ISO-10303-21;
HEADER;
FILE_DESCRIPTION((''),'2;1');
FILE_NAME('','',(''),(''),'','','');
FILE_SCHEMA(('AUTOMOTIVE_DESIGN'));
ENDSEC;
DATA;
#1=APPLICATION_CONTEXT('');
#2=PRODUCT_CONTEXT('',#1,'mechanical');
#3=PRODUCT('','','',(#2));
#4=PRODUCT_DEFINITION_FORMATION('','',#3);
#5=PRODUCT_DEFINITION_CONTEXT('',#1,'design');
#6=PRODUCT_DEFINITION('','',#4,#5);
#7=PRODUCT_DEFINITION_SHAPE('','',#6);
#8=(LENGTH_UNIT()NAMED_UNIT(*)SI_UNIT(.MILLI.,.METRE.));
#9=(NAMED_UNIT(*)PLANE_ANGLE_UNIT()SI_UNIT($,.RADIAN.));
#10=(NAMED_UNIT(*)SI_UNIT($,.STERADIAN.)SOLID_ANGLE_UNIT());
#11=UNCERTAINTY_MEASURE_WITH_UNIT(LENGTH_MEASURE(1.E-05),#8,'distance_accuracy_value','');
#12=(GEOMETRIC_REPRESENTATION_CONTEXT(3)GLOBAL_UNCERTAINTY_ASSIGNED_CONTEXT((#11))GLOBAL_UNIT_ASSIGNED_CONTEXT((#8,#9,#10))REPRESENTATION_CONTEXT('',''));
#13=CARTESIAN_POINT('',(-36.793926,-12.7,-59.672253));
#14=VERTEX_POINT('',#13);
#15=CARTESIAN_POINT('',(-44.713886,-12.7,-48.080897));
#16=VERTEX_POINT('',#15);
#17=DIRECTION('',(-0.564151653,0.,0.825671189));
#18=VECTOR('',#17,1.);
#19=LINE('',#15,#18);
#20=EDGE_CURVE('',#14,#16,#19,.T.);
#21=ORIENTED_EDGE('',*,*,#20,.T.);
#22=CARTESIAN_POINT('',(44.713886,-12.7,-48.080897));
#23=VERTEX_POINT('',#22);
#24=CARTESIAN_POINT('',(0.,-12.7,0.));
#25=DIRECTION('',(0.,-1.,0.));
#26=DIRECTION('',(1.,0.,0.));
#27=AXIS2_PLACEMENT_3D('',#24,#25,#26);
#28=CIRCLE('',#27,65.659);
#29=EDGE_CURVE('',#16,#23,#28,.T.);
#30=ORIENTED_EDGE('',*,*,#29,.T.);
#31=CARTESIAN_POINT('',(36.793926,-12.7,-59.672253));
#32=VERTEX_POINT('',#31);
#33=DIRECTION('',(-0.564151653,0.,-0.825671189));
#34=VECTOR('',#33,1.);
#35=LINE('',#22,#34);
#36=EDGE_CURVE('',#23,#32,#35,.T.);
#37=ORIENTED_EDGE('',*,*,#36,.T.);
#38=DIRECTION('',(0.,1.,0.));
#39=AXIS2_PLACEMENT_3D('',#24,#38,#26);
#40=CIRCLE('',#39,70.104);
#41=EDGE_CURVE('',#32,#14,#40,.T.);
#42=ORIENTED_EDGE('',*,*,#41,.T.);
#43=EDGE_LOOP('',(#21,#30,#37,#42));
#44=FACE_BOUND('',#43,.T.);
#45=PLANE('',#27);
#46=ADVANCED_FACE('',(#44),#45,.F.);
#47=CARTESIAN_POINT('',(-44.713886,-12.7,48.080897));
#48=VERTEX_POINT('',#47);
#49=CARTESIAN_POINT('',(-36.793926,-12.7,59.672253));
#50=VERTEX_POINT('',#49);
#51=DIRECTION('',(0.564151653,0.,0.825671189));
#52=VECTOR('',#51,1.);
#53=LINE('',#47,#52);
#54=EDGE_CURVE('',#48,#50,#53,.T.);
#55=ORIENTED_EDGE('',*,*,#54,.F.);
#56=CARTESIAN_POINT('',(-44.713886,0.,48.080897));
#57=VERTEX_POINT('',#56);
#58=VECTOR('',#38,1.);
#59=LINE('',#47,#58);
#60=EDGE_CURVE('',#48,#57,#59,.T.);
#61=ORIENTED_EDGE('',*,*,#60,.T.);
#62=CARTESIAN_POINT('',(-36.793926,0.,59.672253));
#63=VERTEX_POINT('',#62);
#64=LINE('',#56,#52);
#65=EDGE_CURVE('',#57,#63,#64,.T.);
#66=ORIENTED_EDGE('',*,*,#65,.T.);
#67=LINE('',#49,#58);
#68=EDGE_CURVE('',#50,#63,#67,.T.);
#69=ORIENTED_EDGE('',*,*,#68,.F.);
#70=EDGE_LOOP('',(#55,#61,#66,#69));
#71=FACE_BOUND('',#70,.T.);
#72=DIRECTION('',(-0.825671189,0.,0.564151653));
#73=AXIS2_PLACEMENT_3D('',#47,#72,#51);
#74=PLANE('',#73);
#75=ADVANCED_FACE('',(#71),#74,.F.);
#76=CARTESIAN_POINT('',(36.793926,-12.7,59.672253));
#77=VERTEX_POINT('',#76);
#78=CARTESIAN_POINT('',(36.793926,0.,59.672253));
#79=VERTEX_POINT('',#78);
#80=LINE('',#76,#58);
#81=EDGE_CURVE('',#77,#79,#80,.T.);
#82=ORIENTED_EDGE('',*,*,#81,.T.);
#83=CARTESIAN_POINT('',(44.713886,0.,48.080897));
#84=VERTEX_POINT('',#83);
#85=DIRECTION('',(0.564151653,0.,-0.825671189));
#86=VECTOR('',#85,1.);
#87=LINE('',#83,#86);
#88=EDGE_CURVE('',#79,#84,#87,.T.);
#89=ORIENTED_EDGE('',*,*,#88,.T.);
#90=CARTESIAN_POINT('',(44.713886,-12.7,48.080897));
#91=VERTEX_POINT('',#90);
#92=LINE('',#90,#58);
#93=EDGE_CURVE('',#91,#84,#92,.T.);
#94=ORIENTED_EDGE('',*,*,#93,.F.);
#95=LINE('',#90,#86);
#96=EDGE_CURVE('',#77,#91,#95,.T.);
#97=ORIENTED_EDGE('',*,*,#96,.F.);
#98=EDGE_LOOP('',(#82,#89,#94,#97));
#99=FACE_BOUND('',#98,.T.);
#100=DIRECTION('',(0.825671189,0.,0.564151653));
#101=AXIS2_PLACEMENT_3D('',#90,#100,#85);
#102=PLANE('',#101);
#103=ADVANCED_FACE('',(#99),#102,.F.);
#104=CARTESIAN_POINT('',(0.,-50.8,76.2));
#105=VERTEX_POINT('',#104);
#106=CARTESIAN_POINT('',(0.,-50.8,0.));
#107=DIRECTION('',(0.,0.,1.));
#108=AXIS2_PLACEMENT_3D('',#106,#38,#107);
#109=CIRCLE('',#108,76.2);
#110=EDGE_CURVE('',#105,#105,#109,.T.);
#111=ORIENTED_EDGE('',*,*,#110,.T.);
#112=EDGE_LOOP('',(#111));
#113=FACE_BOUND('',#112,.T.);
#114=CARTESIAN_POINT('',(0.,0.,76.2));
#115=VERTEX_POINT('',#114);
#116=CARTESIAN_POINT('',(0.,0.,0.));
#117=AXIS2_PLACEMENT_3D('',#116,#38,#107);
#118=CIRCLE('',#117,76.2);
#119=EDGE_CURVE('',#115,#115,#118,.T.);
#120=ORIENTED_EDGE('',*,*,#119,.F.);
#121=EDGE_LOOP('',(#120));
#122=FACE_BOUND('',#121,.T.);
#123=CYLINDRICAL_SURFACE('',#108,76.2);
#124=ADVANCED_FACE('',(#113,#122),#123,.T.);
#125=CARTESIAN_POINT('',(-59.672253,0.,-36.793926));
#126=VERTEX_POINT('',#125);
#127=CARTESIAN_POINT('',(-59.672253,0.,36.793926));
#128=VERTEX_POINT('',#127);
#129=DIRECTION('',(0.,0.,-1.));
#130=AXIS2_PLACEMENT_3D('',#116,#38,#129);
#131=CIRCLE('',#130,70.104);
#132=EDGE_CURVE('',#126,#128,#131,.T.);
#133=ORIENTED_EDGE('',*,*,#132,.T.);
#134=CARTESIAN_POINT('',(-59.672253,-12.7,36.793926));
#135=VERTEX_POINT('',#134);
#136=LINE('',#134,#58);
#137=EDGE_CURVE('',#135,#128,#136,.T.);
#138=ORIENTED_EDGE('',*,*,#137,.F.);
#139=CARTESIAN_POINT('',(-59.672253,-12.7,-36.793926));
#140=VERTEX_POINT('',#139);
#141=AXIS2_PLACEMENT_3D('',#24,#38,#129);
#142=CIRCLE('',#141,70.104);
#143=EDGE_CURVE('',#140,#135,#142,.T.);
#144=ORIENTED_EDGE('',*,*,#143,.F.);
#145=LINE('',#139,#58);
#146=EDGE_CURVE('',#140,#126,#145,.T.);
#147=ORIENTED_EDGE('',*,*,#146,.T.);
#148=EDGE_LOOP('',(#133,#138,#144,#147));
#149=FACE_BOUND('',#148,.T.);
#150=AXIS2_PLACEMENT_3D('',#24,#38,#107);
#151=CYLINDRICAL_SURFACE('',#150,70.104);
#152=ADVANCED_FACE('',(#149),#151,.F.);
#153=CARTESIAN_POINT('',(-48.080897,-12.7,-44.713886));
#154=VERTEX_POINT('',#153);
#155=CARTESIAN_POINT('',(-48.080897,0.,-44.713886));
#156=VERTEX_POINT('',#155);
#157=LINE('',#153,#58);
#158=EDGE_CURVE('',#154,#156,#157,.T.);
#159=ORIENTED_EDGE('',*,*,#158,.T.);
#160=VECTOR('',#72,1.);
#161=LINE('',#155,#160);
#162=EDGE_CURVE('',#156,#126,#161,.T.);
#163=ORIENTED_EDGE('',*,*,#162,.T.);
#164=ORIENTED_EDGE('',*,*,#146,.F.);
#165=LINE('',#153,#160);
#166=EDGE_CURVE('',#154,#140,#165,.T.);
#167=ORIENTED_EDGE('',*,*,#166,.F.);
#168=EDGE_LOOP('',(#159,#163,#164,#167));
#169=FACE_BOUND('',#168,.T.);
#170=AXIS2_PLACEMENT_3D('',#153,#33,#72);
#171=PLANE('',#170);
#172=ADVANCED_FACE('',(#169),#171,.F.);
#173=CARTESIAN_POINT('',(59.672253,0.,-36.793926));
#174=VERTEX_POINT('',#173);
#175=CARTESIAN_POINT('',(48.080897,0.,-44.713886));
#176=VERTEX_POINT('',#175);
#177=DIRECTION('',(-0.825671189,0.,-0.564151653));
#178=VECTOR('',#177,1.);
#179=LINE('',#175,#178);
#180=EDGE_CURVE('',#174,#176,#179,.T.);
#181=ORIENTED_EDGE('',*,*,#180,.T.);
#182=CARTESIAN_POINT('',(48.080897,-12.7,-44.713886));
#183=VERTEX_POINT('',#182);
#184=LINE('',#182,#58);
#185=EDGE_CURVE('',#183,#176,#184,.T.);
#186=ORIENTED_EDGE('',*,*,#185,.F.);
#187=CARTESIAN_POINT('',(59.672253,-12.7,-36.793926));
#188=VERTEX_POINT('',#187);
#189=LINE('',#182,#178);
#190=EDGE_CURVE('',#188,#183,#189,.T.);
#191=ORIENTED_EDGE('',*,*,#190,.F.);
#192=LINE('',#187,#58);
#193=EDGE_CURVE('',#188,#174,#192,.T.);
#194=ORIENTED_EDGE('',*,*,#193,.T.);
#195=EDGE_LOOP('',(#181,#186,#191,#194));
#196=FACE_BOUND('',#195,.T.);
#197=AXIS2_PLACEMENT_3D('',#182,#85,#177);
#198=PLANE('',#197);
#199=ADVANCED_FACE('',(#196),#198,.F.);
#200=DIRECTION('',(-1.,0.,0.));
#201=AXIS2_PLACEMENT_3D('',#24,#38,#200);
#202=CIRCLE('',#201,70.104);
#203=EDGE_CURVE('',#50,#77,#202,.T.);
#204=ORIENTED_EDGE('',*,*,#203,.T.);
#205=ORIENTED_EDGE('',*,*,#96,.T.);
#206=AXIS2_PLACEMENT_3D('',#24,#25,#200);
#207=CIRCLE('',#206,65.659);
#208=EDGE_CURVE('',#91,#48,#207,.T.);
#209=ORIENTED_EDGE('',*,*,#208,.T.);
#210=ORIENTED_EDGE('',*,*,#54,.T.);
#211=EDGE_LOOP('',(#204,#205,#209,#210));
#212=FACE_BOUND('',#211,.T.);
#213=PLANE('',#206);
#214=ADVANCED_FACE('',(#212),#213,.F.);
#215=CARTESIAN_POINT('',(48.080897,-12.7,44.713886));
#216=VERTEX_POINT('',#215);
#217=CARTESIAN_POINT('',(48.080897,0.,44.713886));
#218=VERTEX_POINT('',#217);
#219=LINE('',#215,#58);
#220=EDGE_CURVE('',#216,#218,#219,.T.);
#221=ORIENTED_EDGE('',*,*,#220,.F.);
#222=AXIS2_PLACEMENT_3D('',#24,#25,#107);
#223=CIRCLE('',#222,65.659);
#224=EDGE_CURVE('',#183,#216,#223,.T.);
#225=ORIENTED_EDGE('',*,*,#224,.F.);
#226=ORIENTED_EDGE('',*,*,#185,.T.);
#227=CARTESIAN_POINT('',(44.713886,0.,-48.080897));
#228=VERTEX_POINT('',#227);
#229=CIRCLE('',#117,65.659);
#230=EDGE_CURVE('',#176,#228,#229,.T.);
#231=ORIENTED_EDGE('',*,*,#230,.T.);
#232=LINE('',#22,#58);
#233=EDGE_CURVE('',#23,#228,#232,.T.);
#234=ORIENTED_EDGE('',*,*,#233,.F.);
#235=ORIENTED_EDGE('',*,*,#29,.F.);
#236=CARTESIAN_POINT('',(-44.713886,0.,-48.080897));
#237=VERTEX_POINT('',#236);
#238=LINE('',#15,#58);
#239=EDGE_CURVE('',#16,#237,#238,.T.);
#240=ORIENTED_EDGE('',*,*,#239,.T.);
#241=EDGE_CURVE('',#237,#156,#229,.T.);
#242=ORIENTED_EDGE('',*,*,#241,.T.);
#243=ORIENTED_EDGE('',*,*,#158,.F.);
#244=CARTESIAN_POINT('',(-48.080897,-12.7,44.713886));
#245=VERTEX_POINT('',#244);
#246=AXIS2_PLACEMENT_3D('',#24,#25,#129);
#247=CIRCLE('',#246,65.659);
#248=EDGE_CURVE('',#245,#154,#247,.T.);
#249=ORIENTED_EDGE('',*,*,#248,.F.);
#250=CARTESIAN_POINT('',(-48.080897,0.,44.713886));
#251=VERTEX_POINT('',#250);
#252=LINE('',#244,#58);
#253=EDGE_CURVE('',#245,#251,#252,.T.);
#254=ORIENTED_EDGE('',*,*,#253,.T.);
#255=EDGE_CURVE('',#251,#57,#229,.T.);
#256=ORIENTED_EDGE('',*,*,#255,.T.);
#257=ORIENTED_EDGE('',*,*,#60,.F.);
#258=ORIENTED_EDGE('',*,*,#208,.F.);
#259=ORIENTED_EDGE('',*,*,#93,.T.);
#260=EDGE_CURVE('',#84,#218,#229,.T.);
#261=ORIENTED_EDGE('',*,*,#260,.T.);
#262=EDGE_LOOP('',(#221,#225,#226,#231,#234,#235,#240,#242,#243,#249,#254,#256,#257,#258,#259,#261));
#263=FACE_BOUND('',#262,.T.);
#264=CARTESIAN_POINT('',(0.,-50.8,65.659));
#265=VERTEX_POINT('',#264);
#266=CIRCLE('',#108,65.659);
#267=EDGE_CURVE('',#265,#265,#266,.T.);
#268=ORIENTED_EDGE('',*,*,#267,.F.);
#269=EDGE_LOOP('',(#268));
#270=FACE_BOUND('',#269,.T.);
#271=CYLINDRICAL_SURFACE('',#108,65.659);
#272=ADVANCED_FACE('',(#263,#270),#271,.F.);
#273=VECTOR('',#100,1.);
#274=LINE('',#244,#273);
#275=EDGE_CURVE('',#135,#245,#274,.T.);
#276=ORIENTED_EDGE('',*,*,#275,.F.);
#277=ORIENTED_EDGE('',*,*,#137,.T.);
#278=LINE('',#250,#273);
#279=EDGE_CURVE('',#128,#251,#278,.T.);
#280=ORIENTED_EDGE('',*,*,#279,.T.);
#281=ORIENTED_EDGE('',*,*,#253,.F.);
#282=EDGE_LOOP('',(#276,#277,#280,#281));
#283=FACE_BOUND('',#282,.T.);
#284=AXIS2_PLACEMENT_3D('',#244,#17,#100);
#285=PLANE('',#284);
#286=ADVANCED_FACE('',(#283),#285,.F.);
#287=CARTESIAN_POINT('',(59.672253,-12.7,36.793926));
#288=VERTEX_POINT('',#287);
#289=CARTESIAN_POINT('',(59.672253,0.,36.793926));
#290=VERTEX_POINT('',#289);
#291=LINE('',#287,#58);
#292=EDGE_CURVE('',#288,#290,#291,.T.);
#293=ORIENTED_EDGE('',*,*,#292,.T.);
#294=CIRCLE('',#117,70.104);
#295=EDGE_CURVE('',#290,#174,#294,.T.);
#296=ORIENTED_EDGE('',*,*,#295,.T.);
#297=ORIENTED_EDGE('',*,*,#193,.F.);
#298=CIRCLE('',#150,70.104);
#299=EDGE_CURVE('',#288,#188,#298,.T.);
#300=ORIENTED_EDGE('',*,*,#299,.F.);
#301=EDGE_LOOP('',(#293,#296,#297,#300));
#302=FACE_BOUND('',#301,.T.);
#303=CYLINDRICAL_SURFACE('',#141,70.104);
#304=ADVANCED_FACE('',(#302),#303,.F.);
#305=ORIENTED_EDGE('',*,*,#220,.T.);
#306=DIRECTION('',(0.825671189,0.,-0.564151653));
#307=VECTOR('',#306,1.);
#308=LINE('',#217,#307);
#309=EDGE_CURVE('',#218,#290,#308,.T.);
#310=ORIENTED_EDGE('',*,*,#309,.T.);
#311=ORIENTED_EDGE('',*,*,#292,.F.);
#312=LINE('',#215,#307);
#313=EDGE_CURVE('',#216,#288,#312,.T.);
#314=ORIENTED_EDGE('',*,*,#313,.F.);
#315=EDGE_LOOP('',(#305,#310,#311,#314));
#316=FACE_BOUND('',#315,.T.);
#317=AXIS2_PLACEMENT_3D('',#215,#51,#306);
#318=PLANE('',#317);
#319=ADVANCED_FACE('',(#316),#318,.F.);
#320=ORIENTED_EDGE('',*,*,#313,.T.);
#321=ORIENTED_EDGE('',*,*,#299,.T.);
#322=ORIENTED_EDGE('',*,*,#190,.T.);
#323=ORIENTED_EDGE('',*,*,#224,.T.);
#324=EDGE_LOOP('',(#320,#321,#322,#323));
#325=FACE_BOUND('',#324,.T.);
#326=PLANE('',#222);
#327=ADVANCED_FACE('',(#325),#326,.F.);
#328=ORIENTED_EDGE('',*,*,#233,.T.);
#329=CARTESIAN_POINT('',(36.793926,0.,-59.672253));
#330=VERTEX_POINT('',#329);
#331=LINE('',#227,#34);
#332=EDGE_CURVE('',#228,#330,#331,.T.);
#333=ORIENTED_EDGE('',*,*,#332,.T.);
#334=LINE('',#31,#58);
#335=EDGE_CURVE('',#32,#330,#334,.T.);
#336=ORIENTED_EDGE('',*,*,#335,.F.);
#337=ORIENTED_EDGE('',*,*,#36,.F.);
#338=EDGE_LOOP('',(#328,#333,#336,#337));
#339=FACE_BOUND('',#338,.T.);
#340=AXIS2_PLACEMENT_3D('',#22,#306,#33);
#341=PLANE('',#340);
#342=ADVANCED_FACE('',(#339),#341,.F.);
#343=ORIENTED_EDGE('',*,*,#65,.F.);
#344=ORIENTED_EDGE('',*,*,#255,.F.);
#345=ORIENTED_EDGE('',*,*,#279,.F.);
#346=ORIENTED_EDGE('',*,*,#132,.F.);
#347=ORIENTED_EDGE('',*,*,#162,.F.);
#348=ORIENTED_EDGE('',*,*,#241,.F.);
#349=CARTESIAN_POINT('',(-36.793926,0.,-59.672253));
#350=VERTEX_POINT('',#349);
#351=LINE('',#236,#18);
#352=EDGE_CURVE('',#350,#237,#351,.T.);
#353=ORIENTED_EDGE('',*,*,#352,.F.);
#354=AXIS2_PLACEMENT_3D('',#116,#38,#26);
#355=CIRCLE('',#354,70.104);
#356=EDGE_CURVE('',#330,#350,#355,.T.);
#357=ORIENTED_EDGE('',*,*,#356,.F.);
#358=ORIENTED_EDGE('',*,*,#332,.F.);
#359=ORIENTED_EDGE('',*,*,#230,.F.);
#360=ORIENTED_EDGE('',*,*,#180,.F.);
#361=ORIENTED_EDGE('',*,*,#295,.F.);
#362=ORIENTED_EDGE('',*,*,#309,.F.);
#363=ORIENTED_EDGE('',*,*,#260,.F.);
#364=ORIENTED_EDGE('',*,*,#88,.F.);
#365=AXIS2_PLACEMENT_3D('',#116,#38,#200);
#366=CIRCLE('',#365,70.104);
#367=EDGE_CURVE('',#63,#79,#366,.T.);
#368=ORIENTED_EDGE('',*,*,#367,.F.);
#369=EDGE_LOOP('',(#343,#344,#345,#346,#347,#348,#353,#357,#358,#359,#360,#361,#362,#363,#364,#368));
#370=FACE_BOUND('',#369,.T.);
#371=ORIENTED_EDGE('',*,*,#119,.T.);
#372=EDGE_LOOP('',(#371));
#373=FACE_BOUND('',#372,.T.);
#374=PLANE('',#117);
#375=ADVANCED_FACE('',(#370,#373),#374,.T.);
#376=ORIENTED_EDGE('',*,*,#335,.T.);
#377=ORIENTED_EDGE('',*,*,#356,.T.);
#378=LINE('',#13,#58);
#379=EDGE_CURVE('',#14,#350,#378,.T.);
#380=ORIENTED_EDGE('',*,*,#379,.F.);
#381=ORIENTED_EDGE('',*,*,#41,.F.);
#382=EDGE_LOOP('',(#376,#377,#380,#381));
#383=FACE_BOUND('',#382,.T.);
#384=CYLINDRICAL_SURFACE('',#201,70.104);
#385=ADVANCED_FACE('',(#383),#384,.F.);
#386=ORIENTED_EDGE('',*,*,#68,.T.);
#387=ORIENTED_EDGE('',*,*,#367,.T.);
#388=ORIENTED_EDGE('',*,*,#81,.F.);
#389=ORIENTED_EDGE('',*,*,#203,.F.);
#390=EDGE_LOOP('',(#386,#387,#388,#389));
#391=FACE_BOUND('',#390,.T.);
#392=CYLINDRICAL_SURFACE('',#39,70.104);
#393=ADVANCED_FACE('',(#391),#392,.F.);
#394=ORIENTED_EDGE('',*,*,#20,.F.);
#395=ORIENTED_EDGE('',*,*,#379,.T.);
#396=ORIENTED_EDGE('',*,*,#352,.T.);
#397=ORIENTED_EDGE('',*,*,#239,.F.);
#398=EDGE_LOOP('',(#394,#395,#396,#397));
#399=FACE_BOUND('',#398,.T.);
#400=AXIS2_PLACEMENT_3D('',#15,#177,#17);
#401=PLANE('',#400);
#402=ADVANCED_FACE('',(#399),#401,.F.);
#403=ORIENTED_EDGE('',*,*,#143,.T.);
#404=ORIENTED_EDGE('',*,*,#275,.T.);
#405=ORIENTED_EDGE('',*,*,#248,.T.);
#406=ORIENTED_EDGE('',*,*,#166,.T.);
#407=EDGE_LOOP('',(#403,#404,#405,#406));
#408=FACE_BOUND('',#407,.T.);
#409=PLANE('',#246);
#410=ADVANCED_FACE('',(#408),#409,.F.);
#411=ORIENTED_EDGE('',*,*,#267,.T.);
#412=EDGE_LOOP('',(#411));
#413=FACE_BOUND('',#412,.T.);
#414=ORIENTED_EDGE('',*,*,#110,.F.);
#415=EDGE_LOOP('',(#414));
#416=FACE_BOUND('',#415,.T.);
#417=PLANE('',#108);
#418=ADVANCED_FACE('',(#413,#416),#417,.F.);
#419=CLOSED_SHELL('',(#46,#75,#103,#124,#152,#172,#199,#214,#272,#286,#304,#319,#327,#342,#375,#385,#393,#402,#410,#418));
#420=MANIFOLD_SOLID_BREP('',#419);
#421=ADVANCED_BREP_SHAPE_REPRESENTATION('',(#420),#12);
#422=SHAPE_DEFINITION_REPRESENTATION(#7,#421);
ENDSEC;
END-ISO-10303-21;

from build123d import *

# Parameters (mm, degrees)
SKETCH1_R           = 76.2
SKETCH1_R_2         = 65.659
BOSS_EXTRUDE1_DEPTH = 50.8
CUT_EXTRUDE1_DEPTH  = 12.7
CIRPATTERN1_COUNT   = 4


with BuildPart() as part:
    # Sketch1 → Boss-Extrude1 (new body)
    with BuildSketch(Plane(origin=(0, 0, 0), x_dir=(1, 0, 0), z_dir=(0, 1, 0))):
        Circle(SKETCH1_R)
        Circle(SKETCH1_R_2, mode=Mode.SUBTRACT)
    extrude(amount=-BOSS_EXTRUDE1_DEPTH)

    # Sketch2 → Cut-Extrude1 (cut)
    with BuildSketch(Plane(origin=(0, 0, 0), x_dir=(1, 0, 0), z_dir=(0, 1, 0))):
        with BuildLine():
            Line((-48.080896893, -44.713886377), (-59.672253185, -36.793926344))
            ThreePointArc((-59.672253185, -36.793926344), (-70.104, 0), (-59.672253185, 36.793926344))
            Line((-59.672253185, 36.793926344), (-48.080896893, 44.713886377))
            ThreePointArc((-48.080896893, 44.713886377), (-65.659, 0), (-48.080896893, -44.713886377))
        make_face()
    cut_extrude1 = extrude(amount=-CUT_EXTRUDE1_DEPTH, mode=Mode.SUBTRACT)

    # CirPattern1: Cut-Extrude1 ×4 about axis
    cirpattern1_axis = Axis((0, 0, 0), (0, 1, 0))
    for i in range(1, CIRPATTERN1_COUNT):
        add(cut_extrude1.rotate(cirpattern1_axis, i * 360 / CIRPATTERN1_COUNT), mode=Mode.SUBTRACT)


solid = part.part
